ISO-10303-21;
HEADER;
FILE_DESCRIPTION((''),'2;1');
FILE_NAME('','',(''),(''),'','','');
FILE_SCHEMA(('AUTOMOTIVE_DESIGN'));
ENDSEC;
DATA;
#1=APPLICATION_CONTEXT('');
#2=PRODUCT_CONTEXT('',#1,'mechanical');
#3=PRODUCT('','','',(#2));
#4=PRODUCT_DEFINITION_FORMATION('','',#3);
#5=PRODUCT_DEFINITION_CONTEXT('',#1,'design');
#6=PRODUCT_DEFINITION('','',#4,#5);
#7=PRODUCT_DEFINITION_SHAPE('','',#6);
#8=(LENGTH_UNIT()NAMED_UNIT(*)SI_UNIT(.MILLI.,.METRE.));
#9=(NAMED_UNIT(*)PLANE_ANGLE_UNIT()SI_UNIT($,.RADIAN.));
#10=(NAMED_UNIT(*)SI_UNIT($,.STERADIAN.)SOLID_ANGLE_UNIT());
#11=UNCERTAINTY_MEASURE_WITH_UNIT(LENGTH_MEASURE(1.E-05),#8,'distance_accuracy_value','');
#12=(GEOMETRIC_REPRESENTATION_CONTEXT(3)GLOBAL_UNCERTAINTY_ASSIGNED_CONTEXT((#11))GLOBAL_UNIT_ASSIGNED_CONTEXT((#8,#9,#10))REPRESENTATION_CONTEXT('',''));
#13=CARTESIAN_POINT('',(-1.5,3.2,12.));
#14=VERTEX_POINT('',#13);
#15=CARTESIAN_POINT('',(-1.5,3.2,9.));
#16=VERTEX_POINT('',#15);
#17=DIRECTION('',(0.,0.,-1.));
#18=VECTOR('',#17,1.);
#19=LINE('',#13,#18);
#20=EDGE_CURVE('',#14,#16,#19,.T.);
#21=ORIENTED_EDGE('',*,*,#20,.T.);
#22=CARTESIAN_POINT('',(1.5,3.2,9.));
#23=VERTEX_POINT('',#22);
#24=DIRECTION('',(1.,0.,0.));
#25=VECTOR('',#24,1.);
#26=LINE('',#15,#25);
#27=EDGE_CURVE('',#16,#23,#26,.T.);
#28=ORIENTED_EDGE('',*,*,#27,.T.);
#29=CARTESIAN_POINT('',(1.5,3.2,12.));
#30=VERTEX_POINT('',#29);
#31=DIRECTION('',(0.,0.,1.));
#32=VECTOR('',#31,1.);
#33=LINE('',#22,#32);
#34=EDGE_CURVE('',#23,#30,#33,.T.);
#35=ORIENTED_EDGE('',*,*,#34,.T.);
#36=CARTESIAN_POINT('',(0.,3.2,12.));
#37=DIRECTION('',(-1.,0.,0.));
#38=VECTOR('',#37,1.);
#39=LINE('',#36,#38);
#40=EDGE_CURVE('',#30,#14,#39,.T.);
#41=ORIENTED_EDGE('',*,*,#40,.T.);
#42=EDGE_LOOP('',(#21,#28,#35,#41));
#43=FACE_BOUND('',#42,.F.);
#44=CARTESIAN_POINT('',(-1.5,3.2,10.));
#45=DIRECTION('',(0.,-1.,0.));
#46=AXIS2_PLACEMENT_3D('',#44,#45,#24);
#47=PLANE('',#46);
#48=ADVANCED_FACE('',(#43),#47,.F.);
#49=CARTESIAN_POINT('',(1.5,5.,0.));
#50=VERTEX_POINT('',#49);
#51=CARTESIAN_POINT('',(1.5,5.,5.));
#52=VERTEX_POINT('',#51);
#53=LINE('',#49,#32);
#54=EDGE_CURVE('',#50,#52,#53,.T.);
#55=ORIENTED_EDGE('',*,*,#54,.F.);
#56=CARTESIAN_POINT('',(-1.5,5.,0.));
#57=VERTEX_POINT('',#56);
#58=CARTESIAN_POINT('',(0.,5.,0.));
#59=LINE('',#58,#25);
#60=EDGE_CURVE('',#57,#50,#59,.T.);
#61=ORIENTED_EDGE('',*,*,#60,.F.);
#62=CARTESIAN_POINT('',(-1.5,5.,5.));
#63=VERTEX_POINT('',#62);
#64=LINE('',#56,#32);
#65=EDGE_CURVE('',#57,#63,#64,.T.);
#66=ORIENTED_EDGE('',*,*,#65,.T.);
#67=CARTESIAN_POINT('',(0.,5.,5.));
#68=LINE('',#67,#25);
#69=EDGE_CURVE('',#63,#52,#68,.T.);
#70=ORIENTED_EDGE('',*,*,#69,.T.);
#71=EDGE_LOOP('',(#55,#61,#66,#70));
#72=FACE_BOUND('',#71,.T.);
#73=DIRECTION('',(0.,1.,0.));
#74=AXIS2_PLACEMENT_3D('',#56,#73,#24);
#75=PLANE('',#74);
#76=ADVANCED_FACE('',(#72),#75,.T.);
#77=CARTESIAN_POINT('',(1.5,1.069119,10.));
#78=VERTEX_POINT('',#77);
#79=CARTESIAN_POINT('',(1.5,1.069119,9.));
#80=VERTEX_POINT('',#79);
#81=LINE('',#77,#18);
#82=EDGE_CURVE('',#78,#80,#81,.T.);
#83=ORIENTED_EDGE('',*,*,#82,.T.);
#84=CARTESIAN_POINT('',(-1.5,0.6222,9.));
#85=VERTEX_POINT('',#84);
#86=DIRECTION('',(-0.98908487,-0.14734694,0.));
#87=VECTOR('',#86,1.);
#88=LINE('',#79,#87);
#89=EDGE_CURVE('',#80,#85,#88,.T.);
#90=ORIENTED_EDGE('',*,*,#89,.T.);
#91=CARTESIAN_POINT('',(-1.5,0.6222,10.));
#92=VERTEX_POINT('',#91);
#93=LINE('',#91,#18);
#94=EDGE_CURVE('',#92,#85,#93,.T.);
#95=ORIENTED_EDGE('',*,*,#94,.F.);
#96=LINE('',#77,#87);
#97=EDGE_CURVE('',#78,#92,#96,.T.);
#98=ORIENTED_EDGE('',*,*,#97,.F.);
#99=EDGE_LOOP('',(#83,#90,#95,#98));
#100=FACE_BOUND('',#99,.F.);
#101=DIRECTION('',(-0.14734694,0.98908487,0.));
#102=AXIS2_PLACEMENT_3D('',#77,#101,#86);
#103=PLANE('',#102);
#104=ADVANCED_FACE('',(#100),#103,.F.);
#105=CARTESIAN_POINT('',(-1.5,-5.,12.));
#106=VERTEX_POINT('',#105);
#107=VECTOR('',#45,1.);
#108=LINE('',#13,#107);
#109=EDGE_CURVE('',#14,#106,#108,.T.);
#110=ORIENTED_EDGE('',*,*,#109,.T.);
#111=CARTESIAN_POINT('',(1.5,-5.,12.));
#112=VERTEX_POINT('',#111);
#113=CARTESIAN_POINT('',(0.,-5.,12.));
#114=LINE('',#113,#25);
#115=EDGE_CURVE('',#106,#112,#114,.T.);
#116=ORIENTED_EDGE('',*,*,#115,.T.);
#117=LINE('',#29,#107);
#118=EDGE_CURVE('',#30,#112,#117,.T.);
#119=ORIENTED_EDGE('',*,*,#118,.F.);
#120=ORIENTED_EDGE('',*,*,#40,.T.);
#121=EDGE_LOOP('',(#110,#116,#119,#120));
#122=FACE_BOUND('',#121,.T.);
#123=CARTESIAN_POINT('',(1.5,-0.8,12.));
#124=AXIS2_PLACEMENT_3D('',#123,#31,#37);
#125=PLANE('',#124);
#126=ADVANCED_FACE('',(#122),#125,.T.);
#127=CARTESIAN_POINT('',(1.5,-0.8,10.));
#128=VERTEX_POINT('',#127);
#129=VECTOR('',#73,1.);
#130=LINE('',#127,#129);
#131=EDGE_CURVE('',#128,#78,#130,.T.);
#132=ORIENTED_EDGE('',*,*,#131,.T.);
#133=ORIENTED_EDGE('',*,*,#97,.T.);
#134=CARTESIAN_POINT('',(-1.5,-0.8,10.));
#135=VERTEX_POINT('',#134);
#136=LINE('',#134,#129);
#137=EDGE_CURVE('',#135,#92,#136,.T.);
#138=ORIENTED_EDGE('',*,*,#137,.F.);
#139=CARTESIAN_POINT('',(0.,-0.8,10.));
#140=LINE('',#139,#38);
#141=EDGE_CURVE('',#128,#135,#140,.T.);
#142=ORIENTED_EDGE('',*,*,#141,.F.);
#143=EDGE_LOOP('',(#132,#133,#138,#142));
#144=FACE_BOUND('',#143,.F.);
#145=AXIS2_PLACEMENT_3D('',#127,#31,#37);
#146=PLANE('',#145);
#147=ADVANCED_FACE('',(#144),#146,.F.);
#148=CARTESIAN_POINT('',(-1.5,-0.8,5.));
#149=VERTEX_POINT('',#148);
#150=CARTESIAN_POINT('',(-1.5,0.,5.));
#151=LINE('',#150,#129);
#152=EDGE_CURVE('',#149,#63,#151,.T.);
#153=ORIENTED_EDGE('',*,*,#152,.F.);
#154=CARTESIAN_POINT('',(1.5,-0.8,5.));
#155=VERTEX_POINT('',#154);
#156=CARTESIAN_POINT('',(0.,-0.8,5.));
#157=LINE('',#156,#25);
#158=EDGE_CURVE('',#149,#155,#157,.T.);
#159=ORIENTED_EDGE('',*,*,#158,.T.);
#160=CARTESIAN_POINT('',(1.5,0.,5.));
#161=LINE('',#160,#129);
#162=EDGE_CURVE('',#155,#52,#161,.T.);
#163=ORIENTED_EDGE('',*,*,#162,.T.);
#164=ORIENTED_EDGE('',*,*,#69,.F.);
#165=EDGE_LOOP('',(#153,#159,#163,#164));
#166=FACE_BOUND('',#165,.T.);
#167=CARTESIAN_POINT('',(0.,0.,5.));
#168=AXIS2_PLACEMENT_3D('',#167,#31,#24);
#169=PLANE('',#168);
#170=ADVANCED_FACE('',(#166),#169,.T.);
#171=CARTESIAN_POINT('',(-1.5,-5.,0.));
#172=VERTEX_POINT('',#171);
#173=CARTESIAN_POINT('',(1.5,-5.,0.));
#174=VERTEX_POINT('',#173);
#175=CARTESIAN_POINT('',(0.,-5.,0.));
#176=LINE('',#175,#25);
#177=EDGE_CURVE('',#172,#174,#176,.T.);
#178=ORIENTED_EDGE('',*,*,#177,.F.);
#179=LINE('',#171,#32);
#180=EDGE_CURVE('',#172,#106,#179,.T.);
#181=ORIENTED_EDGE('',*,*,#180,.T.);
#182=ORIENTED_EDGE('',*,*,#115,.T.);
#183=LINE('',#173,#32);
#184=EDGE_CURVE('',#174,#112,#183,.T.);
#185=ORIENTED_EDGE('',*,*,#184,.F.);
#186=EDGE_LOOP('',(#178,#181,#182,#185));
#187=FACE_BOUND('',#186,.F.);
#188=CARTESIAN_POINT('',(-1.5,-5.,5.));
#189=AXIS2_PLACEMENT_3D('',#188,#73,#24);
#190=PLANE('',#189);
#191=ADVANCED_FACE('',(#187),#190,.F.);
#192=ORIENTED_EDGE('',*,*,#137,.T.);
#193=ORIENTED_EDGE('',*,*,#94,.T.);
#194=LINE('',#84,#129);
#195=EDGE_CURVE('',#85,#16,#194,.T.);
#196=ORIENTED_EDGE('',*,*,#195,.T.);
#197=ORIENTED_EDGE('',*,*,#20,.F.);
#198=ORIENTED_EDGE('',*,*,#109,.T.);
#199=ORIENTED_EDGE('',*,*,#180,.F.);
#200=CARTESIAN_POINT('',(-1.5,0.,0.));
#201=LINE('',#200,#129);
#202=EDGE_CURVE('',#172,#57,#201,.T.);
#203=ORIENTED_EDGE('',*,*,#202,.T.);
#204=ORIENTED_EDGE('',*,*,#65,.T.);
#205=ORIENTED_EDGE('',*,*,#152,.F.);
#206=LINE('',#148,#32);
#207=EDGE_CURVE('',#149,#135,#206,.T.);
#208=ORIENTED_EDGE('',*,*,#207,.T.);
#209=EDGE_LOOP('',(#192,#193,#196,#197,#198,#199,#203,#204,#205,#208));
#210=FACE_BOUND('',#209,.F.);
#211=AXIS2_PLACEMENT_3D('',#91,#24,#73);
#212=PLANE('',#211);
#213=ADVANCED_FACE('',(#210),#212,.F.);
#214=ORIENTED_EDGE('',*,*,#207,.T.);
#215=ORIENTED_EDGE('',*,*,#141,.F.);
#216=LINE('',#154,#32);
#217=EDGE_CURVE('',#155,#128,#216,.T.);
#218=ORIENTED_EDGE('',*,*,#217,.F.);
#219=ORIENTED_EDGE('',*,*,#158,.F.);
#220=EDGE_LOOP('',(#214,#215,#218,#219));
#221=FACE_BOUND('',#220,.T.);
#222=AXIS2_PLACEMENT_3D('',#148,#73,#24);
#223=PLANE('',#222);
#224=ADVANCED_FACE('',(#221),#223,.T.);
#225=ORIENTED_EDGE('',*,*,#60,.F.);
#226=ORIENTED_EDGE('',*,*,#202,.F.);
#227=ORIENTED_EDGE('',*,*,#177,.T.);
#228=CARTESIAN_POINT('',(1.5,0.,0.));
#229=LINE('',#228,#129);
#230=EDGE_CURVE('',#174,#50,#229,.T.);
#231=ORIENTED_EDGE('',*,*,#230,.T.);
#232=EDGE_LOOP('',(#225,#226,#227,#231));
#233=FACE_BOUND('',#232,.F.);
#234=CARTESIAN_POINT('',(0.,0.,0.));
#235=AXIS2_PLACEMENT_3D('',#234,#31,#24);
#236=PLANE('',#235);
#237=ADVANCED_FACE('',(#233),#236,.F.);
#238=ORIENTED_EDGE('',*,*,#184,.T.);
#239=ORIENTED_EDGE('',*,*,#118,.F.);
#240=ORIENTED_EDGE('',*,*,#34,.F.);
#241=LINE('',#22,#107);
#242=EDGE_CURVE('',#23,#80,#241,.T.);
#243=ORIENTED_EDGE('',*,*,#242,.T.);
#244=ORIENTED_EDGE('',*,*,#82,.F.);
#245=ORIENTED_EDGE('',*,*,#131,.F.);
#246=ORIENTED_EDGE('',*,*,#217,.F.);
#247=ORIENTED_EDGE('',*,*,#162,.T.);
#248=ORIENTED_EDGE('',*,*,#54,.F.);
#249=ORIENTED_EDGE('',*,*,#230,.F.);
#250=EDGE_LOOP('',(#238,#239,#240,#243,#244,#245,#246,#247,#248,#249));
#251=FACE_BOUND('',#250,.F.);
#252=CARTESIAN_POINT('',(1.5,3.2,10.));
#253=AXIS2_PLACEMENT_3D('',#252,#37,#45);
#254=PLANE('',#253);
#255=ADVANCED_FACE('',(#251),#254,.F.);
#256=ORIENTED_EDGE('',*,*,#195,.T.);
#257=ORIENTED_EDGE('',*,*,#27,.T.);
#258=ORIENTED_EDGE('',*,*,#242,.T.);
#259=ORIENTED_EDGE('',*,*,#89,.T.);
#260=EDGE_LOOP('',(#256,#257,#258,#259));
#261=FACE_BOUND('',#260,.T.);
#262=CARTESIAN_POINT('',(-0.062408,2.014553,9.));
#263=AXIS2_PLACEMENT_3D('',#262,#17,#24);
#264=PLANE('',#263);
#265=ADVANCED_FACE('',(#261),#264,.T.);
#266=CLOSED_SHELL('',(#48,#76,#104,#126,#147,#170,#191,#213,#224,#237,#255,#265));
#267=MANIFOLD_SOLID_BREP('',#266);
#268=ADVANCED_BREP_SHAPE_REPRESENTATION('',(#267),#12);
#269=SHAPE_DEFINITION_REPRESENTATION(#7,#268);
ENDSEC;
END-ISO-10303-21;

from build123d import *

# Parameters (mm, degrees)
F0_W     = 3
F0_H     = 10
F1_DEPTH = 5
F2_W     = 3
F2_H     = 4.2
F3_DEPTH = 7
F4_W     = 3
F4_H     = 2
F5_DEPTH = 4
F7_DEPTH = 1


with BuildPart() as f1:
    # F0 (on Top) → F1 (new body)
    with BuildSketch(Plane.XY):
        Rectangle(F0_W, F0_H)
    extrude(amount=F1_DEPTH)

    # F2 (on face) → F3 (join)
    with BuildSketch(Plane.XY.offset(5)):
        with Locations((0, -2.9)):
            Rectangle(F2_W, F2_H)
    extrude(amount=F3_DEPTH)

    # F4 (on face) → F5 (join)
    with BuildSketch(Plane(origin=(0, -0.8, 0), x_dir=(-1, 0, 0), z_dir=(0, 1, 0))):
        with Locations((0, 11)):
            Rectangle(F4_W, F4_H)
    extrude(amount=F5_DEPTH)

    # F6 (on face) → F7 (join)
    with BuildSketch(Plane(origin=(0, 0, 10), x_dir=(1, 0, 0), z_dir=(0, 0, -1))):
        Polygon((1.5, -1.069119), (-1.5, -0.6222), (-1.5, -3.2), (1.5, -3.2), align=None)
    extrude(amount=F7_DEPTH)


solid = f1.part
